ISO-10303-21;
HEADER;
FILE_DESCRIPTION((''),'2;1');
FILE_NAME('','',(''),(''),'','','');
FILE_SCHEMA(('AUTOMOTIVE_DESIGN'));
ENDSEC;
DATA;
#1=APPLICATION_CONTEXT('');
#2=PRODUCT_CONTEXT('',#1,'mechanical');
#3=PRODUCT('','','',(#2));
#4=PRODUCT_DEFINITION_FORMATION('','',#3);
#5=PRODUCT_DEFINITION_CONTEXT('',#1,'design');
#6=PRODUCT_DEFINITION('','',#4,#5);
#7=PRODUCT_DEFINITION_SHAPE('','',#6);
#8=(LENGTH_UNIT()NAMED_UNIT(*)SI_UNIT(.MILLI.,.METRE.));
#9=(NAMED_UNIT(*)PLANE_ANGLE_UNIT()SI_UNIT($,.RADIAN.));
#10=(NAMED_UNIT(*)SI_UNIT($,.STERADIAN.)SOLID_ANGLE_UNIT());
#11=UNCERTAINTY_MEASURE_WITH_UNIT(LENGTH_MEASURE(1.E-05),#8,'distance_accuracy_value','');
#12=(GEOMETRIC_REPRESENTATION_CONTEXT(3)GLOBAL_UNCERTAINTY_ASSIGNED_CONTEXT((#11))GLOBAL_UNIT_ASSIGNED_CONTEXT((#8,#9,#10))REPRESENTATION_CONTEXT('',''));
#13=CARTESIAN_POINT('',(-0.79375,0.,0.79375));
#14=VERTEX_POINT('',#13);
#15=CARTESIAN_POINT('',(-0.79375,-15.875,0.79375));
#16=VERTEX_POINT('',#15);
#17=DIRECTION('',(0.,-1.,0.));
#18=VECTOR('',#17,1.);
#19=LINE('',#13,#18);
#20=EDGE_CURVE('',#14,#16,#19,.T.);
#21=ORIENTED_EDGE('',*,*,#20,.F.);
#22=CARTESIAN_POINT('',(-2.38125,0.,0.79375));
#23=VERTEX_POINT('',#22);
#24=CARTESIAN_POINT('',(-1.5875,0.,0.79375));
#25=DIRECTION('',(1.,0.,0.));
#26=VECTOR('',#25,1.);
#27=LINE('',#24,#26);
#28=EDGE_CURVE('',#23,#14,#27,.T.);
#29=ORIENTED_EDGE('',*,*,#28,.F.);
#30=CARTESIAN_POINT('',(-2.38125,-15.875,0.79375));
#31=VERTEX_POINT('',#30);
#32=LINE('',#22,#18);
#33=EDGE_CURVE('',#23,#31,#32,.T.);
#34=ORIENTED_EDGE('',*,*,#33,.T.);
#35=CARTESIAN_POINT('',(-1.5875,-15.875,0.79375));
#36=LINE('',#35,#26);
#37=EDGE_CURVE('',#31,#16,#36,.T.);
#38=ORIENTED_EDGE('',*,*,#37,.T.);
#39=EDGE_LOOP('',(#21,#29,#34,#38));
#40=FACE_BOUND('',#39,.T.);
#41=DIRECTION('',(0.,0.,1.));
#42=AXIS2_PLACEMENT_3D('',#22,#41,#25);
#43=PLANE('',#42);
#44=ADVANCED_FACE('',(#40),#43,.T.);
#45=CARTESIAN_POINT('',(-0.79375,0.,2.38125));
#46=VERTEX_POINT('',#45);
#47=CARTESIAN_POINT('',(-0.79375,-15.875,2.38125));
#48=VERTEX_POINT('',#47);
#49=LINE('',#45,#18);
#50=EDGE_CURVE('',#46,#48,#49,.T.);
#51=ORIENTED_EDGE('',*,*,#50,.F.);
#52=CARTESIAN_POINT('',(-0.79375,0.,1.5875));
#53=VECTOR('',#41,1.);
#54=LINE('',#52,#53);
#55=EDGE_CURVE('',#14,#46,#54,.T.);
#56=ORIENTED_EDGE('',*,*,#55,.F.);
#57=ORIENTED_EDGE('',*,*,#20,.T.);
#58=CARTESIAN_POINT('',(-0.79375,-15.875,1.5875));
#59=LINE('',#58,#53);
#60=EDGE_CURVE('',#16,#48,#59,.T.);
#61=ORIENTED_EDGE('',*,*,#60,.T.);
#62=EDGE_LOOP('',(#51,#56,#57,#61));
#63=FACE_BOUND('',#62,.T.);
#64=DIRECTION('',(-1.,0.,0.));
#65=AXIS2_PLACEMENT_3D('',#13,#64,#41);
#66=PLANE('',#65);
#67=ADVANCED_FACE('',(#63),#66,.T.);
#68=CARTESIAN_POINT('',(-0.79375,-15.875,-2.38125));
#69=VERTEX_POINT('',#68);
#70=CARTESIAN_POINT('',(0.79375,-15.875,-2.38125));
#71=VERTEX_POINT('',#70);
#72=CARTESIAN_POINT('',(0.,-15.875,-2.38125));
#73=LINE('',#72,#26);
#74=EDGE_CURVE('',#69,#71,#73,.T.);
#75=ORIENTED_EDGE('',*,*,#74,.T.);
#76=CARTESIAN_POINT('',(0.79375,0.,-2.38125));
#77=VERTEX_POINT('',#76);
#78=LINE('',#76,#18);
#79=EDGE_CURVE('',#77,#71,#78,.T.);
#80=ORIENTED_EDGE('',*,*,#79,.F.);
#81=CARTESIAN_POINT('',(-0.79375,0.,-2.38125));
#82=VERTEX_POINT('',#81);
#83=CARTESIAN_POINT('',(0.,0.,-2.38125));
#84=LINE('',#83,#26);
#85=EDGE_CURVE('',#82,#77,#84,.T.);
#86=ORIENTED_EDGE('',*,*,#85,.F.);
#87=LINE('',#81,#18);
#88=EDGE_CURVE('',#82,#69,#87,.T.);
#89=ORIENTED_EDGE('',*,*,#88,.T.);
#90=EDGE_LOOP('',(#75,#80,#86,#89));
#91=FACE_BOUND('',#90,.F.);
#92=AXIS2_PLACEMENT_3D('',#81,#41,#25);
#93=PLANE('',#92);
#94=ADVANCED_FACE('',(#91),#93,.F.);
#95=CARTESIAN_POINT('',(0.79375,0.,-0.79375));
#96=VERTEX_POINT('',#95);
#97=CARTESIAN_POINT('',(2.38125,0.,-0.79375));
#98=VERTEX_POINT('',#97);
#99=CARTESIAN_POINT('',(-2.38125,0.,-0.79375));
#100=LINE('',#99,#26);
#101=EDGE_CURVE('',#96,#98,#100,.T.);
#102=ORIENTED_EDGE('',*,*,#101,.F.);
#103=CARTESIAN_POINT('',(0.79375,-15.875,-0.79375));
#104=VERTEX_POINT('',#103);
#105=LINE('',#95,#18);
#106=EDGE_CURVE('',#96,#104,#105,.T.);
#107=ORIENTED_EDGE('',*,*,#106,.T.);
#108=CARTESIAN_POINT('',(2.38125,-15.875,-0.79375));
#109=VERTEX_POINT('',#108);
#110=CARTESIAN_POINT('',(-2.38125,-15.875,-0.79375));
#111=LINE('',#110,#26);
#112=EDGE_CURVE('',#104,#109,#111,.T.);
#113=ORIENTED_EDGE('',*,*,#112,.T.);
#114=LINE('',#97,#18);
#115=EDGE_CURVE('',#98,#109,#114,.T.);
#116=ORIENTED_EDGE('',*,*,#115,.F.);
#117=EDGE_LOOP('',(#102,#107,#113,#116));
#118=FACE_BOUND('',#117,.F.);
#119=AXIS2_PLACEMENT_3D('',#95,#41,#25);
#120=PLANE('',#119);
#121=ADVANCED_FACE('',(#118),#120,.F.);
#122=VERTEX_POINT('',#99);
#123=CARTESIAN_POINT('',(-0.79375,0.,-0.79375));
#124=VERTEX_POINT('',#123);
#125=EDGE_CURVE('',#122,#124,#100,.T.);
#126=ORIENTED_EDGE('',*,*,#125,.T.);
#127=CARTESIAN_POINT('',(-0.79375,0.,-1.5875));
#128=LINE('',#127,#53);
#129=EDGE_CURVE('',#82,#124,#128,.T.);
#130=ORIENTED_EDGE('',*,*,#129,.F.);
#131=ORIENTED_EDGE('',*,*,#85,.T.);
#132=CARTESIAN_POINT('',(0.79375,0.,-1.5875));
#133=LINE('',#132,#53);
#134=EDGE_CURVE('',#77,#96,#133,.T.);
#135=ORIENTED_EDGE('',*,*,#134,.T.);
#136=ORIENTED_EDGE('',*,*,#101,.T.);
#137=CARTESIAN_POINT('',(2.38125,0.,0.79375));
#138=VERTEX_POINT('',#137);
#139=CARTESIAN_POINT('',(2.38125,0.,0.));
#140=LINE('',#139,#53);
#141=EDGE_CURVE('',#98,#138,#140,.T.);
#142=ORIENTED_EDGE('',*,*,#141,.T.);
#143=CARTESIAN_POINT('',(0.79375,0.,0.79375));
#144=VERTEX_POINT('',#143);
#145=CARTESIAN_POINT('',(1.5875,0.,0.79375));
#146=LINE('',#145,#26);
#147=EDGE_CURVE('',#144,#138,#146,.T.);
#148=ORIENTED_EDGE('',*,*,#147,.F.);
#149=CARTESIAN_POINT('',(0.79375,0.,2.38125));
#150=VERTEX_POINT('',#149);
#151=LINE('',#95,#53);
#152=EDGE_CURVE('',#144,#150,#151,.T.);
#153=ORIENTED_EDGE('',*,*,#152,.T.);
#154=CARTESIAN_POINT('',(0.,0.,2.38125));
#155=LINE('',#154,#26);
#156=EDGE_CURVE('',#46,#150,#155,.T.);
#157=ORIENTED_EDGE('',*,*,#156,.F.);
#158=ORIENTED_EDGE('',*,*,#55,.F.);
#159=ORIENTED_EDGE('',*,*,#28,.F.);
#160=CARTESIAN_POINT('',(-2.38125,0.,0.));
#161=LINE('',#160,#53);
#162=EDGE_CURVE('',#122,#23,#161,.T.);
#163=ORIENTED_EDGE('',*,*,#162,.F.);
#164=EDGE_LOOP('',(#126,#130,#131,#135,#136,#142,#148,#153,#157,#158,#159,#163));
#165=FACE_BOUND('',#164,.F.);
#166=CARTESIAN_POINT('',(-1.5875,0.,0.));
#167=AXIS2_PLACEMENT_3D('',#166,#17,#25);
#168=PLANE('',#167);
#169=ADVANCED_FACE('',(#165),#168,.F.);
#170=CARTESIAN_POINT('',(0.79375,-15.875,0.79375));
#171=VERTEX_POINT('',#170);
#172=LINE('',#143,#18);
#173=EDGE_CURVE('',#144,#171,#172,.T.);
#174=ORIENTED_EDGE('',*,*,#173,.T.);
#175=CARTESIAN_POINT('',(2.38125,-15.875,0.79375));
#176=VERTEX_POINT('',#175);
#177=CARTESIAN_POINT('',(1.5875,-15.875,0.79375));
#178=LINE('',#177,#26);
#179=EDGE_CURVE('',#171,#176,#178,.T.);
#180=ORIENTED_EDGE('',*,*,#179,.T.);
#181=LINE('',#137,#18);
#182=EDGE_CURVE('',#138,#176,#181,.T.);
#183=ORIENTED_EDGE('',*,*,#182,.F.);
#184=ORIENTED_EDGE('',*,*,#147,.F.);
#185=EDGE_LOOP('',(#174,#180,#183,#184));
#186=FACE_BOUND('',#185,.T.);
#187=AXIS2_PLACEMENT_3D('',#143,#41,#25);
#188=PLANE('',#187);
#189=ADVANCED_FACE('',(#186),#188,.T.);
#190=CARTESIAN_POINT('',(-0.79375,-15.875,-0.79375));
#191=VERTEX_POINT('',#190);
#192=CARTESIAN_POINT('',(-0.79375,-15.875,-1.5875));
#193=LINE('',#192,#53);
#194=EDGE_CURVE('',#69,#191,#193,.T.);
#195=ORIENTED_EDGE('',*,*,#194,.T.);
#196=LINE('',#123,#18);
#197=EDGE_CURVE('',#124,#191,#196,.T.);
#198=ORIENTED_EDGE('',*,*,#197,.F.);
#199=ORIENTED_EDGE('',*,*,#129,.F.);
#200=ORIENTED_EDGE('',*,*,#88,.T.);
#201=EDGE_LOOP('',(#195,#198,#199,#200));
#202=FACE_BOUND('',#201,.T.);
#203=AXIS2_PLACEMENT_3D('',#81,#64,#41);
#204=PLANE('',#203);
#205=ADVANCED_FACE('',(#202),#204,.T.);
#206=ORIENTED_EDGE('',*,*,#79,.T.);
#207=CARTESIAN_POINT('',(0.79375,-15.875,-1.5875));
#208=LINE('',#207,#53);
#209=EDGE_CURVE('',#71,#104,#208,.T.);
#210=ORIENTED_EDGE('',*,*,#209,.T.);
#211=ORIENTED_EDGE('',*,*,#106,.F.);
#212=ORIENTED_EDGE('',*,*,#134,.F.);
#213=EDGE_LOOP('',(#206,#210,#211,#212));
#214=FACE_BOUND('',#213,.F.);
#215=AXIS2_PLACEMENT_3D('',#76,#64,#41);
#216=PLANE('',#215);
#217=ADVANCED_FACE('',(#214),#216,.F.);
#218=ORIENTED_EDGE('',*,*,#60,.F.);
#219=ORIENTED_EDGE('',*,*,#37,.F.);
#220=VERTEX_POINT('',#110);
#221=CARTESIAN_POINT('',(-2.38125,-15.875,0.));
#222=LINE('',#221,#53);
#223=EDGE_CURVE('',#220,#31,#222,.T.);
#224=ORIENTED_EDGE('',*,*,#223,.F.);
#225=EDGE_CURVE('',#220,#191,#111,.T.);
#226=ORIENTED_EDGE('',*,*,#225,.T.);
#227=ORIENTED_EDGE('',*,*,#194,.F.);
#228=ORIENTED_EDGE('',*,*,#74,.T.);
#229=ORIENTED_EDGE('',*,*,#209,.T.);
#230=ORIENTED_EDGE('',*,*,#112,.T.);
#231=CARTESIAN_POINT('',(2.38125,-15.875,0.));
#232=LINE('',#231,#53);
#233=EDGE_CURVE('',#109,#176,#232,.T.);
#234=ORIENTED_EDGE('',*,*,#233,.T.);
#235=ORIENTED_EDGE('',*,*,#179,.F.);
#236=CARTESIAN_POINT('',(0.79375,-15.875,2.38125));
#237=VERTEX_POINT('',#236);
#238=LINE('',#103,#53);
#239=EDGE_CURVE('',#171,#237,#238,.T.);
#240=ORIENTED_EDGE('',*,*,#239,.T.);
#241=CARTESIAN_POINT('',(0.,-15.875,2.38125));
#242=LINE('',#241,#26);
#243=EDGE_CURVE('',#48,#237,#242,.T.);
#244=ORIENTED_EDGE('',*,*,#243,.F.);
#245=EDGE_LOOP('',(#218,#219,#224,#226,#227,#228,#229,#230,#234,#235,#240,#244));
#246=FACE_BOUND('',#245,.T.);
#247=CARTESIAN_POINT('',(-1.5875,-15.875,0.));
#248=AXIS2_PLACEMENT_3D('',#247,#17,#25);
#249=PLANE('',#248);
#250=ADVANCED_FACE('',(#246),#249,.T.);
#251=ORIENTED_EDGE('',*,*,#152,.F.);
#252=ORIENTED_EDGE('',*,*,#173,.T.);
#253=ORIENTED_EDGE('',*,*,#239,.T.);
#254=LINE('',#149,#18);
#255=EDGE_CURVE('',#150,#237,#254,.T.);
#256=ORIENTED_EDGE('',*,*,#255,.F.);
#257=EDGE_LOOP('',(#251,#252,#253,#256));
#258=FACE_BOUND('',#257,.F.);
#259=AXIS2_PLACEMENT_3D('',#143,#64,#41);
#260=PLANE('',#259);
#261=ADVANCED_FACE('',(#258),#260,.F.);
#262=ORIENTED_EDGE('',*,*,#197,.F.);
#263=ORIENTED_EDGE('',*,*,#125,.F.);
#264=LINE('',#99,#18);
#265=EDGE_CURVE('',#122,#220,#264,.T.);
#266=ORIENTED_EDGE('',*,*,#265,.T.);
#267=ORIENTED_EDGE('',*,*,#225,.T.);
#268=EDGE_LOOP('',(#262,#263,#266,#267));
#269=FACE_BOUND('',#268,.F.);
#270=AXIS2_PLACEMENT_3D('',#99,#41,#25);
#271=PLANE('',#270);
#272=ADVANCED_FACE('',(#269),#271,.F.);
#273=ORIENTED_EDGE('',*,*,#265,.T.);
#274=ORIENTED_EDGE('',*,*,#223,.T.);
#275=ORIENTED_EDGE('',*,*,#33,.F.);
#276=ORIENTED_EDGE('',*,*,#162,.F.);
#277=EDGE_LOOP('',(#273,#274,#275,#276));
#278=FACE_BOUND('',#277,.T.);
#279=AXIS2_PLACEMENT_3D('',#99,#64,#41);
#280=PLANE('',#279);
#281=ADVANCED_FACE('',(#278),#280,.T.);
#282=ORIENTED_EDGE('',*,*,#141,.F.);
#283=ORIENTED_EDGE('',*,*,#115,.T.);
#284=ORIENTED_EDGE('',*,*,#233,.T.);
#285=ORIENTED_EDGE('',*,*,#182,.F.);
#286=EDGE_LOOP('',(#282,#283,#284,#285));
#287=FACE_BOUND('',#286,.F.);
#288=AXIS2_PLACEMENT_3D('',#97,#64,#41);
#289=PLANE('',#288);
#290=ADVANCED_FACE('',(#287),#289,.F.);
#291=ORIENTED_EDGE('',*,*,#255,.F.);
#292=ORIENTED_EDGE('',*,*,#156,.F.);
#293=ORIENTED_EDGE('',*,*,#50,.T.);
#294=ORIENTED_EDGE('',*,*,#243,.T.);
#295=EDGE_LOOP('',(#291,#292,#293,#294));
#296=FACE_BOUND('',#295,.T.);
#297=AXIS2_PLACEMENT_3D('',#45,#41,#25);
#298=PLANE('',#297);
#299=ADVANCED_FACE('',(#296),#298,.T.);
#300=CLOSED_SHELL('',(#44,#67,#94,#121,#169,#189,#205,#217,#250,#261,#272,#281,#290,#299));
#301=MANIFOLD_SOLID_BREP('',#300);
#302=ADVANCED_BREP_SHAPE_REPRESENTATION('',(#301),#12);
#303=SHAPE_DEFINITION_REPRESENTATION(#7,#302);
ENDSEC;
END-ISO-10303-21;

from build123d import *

# Parameters (mm, degrees)
F0_W     = 1.5875
F0_H     = 1.5875
F1_DEPTH = 15.875


with BuildPart() as f1:
    # F0 (on Front) → F1 (new body)
    with BuildSketch(Plane.XZ):
        with Locations((-1.5875, 0)):
            Rectangle(F0_W, F0_H)
        with Locations((0, 1.5875)):
            Rectangle(F0_W, F0_H)
        Rectangle(F0_W, F0_H)
        with Locations((1.5875, 0)):
            Rectangle(F0_W, F0_H)
        with Locations((0, -1.5875)):
            Rectangle(F0_W, F0_H)
    extrude(amount=F1_DEPTH)


solid = f1.part
